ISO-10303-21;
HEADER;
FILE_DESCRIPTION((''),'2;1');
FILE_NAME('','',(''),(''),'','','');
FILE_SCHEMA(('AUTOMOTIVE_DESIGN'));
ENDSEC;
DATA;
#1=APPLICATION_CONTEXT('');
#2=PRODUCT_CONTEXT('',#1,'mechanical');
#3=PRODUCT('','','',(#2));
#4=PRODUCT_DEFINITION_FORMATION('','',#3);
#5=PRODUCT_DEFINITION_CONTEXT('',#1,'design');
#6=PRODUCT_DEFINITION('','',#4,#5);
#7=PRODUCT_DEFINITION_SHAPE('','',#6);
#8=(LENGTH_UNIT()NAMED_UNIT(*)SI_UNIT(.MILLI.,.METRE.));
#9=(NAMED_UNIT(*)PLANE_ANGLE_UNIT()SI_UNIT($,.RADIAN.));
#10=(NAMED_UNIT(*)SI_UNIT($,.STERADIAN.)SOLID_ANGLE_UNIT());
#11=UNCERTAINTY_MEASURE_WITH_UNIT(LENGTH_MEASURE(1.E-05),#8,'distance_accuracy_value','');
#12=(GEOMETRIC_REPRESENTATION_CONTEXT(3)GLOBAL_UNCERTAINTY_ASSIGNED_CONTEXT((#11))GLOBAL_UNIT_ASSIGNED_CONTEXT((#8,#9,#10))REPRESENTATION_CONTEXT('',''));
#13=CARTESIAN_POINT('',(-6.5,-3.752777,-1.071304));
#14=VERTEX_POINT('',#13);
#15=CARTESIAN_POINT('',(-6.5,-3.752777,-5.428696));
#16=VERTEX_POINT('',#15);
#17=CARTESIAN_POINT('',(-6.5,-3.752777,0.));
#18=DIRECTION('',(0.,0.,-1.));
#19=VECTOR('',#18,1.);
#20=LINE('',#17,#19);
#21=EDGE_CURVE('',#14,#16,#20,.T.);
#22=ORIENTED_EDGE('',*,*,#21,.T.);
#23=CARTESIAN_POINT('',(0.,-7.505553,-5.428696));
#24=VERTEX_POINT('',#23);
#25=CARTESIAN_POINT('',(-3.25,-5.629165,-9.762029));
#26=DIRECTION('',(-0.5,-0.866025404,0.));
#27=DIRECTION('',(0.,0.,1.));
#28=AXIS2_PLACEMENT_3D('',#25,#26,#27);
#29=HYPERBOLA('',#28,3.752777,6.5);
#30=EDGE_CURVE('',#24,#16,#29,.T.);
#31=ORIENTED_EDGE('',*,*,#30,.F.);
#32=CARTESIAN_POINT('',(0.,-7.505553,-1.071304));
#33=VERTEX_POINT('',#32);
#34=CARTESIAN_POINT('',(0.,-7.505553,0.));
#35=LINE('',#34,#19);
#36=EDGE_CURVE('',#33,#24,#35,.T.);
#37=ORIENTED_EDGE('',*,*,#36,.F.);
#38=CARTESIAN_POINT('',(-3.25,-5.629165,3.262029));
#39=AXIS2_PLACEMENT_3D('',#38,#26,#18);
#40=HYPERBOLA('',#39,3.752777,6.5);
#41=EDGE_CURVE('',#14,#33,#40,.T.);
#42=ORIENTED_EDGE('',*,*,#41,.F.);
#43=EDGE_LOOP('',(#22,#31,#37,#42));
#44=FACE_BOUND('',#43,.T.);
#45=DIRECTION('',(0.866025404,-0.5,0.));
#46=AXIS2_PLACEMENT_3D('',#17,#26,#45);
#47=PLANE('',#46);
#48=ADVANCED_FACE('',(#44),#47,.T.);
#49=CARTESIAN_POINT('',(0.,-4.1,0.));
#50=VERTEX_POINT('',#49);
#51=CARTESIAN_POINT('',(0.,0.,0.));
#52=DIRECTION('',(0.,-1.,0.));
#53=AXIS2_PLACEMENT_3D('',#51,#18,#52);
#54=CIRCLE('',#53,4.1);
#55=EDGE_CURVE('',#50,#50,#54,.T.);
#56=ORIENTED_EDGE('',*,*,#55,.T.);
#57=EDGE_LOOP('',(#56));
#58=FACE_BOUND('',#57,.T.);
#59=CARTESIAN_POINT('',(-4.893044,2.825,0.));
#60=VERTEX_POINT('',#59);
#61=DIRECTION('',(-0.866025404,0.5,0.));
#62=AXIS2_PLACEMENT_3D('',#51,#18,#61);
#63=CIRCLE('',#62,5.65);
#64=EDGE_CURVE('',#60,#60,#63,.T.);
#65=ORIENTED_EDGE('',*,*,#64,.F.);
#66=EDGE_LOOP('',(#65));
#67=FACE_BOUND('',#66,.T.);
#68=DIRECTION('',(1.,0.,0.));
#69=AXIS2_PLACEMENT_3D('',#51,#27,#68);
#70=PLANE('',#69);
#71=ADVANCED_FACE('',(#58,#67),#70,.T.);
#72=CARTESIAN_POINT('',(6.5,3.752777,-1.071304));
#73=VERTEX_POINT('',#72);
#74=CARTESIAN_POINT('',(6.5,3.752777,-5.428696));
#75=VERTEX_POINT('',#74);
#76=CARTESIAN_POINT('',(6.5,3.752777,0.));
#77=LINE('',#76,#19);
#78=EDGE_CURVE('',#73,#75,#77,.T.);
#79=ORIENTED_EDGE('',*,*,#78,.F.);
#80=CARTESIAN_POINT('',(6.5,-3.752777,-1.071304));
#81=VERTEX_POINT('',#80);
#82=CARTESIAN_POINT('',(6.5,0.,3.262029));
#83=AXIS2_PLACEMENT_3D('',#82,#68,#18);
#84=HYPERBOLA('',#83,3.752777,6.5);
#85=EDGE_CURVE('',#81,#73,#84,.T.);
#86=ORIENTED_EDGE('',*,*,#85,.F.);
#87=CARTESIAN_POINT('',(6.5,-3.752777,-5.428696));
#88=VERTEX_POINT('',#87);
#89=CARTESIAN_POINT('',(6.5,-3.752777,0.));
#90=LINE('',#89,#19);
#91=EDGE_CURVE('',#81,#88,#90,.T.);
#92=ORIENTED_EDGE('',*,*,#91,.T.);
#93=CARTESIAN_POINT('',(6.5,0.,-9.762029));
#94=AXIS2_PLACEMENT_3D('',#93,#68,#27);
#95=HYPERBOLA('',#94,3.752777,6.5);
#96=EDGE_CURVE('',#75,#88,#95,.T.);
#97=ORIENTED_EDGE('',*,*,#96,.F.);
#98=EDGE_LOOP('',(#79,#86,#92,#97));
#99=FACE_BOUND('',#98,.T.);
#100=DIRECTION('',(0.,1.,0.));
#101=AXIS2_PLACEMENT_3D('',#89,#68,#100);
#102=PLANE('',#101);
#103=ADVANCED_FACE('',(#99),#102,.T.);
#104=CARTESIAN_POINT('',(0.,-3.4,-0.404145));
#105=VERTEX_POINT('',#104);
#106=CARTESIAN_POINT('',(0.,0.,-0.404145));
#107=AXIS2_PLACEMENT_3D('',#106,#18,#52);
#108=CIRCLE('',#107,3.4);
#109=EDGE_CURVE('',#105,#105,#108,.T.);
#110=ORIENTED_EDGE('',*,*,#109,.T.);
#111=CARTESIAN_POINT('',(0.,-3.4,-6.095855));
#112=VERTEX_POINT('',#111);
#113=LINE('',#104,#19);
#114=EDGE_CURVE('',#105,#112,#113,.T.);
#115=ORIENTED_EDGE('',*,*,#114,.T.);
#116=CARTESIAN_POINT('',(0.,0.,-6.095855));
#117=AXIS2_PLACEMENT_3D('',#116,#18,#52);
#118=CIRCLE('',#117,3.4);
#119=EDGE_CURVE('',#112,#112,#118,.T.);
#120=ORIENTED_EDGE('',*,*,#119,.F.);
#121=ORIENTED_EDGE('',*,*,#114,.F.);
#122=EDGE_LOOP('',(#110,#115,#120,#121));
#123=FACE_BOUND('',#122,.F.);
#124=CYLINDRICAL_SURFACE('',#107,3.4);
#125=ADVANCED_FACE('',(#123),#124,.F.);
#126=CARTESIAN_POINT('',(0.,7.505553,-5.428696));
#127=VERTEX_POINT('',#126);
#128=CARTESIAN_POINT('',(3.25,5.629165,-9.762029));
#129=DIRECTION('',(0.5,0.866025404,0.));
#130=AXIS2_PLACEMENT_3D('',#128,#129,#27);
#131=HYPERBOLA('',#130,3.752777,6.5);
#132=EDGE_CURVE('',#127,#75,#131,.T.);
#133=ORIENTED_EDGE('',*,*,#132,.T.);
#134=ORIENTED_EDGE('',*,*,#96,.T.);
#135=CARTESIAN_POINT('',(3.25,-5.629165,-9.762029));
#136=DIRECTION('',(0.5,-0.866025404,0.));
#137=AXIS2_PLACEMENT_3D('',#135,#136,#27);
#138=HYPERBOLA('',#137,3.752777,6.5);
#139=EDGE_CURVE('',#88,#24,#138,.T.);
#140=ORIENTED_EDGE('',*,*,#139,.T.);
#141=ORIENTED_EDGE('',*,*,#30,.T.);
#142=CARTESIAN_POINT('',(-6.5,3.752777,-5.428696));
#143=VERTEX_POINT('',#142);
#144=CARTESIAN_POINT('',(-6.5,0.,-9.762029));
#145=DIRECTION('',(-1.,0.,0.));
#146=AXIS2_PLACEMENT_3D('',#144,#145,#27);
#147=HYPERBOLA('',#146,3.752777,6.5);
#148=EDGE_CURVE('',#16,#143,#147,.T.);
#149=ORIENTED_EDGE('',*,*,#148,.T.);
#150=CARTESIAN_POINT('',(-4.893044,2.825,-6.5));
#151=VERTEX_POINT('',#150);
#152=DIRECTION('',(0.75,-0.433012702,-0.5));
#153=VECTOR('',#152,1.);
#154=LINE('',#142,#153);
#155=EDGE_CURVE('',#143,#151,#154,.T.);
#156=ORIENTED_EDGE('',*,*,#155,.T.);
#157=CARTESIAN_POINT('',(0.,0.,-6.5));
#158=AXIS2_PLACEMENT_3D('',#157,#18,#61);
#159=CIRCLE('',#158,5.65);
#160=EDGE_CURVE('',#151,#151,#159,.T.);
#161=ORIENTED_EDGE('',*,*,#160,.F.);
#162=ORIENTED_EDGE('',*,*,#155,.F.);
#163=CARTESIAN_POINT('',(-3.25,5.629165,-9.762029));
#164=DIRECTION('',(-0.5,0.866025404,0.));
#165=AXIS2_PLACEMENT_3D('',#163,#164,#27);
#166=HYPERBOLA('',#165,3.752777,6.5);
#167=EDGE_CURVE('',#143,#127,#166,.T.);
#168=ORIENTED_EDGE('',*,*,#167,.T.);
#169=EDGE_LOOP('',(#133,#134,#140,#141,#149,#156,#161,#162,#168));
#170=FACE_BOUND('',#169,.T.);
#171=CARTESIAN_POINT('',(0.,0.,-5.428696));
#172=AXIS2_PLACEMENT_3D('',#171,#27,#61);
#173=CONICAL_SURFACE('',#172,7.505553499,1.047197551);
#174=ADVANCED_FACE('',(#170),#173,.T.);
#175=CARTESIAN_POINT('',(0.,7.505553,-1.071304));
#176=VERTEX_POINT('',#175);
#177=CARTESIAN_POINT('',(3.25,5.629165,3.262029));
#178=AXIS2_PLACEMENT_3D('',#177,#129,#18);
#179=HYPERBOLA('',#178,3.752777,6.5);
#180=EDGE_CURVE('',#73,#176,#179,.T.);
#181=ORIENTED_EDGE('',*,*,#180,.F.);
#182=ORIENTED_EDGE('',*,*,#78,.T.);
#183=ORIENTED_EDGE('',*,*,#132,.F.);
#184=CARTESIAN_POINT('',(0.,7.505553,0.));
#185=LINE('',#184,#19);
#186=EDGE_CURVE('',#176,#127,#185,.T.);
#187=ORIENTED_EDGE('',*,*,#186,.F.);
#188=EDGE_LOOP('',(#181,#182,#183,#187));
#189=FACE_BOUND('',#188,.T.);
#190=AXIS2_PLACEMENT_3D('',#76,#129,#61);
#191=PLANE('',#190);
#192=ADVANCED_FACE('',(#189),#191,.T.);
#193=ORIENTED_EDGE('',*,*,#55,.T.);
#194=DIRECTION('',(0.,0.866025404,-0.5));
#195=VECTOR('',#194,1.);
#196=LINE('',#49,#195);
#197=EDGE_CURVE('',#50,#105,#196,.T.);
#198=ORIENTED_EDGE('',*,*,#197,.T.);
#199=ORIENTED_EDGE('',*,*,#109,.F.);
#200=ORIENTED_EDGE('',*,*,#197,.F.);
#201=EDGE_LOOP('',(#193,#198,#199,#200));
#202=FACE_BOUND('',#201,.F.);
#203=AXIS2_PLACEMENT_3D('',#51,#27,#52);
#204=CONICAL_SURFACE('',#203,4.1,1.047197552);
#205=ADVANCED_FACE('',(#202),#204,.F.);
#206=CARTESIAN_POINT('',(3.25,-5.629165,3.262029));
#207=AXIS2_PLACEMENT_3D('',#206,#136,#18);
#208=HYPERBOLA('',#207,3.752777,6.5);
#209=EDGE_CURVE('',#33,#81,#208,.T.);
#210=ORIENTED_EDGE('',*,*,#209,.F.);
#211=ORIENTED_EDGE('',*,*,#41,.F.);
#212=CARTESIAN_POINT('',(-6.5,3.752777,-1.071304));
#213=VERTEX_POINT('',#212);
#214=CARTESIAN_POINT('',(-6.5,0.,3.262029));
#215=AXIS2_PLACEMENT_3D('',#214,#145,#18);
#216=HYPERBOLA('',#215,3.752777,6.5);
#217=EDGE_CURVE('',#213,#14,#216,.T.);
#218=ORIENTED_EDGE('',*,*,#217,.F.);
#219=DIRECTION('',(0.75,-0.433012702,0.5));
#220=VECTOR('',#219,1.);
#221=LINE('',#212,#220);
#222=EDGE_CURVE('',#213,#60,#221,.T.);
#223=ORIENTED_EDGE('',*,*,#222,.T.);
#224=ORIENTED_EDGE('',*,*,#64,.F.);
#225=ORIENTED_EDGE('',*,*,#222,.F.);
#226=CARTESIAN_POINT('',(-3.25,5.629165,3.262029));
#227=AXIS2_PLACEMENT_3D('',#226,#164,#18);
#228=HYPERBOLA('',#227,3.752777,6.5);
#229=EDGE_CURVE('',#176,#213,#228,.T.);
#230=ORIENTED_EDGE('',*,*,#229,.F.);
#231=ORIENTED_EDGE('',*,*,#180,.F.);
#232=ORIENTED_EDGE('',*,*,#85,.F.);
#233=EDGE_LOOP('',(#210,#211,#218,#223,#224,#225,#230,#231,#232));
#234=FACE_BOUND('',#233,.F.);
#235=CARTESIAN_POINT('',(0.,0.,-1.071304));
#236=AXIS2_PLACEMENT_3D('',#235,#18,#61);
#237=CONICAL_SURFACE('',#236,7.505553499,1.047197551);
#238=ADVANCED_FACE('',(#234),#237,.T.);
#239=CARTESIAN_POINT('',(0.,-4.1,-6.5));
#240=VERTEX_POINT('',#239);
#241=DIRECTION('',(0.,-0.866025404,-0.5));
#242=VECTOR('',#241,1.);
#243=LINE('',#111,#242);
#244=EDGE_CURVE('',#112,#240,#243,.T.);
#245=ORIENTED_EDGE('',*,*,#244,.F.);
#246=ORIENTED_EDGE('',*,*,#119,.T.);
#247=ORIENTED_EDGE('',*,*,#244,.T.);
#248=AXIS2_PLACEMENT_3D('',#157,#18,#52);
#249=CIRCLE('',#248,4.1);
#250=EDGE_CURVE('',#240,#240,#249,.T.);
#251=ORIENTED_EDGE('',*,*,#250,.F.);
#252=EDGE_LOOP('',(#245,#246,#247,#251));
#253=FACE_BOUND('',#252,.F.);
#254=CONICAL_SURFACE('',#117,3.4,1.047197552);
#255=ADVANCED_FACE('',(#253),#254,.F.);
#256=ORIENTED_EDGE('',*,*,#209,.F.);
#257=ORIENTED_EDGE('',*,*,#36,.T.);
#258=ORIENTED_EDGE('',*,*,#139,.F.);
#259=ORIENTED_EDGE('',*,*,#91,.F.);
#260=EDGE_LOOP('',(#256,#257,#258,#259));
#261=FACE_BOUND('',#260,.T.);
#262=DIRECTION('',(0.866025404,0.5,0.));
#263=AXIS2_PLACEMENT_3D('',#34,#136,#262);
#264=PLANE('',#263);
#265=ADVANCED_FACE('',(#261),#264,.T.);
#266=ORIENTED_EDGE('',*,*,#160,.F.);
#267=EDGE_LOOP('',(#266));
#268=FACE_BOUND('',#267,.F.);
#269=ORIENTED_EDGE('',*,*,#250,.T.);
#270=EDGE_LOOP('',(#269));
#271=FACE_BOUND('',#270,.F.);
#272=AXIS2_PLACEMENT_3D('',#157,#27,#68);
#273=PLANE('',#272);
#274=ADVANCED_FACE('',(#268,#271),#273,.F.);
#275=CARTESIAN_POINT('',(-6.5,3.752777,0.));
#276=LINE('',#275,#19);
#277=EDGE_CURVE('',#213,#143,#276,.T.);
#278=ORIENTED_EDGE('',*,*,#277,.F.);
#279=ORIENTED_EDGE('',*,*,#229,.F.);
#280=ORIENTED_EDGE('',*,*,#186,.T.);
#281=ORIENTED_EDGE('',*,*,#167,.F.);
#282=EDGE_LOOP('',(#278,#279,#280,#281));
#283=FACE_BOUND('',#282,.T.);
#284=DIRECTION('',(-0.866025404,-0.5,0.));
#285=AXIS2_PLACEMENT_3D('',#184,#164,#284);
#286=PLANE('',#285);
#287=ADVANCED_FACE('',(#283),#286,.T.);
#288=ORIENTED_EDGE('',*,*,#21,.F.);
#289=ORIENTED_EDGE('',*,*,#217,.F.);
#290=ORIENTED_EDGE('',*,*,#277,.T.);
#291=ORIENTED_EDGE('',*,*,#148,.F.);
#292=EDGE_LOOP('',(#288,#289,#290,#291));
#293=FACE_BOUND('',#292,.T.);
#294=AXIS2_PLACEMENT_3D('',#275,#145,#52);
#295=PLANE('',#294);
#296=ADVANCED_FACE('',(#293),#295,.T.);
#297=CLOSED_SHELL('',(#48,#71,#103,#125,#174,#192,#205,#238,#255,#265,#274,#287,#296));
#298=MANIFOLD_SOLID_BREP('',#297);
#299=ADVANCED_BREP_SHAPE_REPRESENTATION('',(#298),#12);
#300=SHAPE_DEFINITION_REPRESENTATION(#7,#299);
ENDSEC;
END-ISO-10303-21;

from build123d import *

# Parameters (mm, degrees)
BOSS_EXTRUDE1_DEPTH = 6.5


with BuildPart() as part:
    # Sketch1 → Boss-Extrude1 (new body)
    with BuildSketch(Plane.XY):
        Polygon((0, 7.505553499), (-6.5, 3.75277675), (-6.5, -3.75277675), (0, -7.505553499), (6.5, -3.75277675), (6.5, 3.75277675), align=None)
    extrude(amount=-BOSS_EXTRUDE1_DEPTH)

    # Sketch4 → Cut-Revolve1 (revolve, cut)
    with BuildSketch(Plane(origin=(0, 0, 0), x_dir=(0, 0, -1), z_dir=(1, 0, 0)), mode=Mode.PRIVATE) as cut_revolve1_sk:
        Polygon((6.5, 7.505553499), (5.428695688, 7.505553499), (6.5, 5.65), align=None)
        Polygon((0, 7.505553499), (1.071304312, 7.505553499), (0, 5.65), align=None)
    revolve(cut_revolve1_sk.sketch.rotate(Axis((0, 0, 0), (0, 0, -1)), 300.000000023), axis=Axis((0, 0, 0), (0, 0, -1)), mode=Mode.SUBTRACT)

    # Sketch5 → Cut-Revolve2 (revolve, cut)
    with BuildSketch(Plane(origin=(0, 0, 0), x_dir=(0, 0, -1), z_dir=(1, 0, 0)), mode=Mode.PRIVATE) as cut_revolve2_sk:
        Polygon((0, 0), (0, 4.1), (0.404145188, 3.4), (6.095854812, 3.4), (6.5, 4.1), (6.5, 0), align=None)
    revolve(cut_revolve2_sk.sketch.rotate(Axis((0, 0, 0), (0, 0, -1)), 180), axis=Axis((0, 0, 0), (0, 0, -1)), mode=Mode.SUBTRACT)


solid = part.part
